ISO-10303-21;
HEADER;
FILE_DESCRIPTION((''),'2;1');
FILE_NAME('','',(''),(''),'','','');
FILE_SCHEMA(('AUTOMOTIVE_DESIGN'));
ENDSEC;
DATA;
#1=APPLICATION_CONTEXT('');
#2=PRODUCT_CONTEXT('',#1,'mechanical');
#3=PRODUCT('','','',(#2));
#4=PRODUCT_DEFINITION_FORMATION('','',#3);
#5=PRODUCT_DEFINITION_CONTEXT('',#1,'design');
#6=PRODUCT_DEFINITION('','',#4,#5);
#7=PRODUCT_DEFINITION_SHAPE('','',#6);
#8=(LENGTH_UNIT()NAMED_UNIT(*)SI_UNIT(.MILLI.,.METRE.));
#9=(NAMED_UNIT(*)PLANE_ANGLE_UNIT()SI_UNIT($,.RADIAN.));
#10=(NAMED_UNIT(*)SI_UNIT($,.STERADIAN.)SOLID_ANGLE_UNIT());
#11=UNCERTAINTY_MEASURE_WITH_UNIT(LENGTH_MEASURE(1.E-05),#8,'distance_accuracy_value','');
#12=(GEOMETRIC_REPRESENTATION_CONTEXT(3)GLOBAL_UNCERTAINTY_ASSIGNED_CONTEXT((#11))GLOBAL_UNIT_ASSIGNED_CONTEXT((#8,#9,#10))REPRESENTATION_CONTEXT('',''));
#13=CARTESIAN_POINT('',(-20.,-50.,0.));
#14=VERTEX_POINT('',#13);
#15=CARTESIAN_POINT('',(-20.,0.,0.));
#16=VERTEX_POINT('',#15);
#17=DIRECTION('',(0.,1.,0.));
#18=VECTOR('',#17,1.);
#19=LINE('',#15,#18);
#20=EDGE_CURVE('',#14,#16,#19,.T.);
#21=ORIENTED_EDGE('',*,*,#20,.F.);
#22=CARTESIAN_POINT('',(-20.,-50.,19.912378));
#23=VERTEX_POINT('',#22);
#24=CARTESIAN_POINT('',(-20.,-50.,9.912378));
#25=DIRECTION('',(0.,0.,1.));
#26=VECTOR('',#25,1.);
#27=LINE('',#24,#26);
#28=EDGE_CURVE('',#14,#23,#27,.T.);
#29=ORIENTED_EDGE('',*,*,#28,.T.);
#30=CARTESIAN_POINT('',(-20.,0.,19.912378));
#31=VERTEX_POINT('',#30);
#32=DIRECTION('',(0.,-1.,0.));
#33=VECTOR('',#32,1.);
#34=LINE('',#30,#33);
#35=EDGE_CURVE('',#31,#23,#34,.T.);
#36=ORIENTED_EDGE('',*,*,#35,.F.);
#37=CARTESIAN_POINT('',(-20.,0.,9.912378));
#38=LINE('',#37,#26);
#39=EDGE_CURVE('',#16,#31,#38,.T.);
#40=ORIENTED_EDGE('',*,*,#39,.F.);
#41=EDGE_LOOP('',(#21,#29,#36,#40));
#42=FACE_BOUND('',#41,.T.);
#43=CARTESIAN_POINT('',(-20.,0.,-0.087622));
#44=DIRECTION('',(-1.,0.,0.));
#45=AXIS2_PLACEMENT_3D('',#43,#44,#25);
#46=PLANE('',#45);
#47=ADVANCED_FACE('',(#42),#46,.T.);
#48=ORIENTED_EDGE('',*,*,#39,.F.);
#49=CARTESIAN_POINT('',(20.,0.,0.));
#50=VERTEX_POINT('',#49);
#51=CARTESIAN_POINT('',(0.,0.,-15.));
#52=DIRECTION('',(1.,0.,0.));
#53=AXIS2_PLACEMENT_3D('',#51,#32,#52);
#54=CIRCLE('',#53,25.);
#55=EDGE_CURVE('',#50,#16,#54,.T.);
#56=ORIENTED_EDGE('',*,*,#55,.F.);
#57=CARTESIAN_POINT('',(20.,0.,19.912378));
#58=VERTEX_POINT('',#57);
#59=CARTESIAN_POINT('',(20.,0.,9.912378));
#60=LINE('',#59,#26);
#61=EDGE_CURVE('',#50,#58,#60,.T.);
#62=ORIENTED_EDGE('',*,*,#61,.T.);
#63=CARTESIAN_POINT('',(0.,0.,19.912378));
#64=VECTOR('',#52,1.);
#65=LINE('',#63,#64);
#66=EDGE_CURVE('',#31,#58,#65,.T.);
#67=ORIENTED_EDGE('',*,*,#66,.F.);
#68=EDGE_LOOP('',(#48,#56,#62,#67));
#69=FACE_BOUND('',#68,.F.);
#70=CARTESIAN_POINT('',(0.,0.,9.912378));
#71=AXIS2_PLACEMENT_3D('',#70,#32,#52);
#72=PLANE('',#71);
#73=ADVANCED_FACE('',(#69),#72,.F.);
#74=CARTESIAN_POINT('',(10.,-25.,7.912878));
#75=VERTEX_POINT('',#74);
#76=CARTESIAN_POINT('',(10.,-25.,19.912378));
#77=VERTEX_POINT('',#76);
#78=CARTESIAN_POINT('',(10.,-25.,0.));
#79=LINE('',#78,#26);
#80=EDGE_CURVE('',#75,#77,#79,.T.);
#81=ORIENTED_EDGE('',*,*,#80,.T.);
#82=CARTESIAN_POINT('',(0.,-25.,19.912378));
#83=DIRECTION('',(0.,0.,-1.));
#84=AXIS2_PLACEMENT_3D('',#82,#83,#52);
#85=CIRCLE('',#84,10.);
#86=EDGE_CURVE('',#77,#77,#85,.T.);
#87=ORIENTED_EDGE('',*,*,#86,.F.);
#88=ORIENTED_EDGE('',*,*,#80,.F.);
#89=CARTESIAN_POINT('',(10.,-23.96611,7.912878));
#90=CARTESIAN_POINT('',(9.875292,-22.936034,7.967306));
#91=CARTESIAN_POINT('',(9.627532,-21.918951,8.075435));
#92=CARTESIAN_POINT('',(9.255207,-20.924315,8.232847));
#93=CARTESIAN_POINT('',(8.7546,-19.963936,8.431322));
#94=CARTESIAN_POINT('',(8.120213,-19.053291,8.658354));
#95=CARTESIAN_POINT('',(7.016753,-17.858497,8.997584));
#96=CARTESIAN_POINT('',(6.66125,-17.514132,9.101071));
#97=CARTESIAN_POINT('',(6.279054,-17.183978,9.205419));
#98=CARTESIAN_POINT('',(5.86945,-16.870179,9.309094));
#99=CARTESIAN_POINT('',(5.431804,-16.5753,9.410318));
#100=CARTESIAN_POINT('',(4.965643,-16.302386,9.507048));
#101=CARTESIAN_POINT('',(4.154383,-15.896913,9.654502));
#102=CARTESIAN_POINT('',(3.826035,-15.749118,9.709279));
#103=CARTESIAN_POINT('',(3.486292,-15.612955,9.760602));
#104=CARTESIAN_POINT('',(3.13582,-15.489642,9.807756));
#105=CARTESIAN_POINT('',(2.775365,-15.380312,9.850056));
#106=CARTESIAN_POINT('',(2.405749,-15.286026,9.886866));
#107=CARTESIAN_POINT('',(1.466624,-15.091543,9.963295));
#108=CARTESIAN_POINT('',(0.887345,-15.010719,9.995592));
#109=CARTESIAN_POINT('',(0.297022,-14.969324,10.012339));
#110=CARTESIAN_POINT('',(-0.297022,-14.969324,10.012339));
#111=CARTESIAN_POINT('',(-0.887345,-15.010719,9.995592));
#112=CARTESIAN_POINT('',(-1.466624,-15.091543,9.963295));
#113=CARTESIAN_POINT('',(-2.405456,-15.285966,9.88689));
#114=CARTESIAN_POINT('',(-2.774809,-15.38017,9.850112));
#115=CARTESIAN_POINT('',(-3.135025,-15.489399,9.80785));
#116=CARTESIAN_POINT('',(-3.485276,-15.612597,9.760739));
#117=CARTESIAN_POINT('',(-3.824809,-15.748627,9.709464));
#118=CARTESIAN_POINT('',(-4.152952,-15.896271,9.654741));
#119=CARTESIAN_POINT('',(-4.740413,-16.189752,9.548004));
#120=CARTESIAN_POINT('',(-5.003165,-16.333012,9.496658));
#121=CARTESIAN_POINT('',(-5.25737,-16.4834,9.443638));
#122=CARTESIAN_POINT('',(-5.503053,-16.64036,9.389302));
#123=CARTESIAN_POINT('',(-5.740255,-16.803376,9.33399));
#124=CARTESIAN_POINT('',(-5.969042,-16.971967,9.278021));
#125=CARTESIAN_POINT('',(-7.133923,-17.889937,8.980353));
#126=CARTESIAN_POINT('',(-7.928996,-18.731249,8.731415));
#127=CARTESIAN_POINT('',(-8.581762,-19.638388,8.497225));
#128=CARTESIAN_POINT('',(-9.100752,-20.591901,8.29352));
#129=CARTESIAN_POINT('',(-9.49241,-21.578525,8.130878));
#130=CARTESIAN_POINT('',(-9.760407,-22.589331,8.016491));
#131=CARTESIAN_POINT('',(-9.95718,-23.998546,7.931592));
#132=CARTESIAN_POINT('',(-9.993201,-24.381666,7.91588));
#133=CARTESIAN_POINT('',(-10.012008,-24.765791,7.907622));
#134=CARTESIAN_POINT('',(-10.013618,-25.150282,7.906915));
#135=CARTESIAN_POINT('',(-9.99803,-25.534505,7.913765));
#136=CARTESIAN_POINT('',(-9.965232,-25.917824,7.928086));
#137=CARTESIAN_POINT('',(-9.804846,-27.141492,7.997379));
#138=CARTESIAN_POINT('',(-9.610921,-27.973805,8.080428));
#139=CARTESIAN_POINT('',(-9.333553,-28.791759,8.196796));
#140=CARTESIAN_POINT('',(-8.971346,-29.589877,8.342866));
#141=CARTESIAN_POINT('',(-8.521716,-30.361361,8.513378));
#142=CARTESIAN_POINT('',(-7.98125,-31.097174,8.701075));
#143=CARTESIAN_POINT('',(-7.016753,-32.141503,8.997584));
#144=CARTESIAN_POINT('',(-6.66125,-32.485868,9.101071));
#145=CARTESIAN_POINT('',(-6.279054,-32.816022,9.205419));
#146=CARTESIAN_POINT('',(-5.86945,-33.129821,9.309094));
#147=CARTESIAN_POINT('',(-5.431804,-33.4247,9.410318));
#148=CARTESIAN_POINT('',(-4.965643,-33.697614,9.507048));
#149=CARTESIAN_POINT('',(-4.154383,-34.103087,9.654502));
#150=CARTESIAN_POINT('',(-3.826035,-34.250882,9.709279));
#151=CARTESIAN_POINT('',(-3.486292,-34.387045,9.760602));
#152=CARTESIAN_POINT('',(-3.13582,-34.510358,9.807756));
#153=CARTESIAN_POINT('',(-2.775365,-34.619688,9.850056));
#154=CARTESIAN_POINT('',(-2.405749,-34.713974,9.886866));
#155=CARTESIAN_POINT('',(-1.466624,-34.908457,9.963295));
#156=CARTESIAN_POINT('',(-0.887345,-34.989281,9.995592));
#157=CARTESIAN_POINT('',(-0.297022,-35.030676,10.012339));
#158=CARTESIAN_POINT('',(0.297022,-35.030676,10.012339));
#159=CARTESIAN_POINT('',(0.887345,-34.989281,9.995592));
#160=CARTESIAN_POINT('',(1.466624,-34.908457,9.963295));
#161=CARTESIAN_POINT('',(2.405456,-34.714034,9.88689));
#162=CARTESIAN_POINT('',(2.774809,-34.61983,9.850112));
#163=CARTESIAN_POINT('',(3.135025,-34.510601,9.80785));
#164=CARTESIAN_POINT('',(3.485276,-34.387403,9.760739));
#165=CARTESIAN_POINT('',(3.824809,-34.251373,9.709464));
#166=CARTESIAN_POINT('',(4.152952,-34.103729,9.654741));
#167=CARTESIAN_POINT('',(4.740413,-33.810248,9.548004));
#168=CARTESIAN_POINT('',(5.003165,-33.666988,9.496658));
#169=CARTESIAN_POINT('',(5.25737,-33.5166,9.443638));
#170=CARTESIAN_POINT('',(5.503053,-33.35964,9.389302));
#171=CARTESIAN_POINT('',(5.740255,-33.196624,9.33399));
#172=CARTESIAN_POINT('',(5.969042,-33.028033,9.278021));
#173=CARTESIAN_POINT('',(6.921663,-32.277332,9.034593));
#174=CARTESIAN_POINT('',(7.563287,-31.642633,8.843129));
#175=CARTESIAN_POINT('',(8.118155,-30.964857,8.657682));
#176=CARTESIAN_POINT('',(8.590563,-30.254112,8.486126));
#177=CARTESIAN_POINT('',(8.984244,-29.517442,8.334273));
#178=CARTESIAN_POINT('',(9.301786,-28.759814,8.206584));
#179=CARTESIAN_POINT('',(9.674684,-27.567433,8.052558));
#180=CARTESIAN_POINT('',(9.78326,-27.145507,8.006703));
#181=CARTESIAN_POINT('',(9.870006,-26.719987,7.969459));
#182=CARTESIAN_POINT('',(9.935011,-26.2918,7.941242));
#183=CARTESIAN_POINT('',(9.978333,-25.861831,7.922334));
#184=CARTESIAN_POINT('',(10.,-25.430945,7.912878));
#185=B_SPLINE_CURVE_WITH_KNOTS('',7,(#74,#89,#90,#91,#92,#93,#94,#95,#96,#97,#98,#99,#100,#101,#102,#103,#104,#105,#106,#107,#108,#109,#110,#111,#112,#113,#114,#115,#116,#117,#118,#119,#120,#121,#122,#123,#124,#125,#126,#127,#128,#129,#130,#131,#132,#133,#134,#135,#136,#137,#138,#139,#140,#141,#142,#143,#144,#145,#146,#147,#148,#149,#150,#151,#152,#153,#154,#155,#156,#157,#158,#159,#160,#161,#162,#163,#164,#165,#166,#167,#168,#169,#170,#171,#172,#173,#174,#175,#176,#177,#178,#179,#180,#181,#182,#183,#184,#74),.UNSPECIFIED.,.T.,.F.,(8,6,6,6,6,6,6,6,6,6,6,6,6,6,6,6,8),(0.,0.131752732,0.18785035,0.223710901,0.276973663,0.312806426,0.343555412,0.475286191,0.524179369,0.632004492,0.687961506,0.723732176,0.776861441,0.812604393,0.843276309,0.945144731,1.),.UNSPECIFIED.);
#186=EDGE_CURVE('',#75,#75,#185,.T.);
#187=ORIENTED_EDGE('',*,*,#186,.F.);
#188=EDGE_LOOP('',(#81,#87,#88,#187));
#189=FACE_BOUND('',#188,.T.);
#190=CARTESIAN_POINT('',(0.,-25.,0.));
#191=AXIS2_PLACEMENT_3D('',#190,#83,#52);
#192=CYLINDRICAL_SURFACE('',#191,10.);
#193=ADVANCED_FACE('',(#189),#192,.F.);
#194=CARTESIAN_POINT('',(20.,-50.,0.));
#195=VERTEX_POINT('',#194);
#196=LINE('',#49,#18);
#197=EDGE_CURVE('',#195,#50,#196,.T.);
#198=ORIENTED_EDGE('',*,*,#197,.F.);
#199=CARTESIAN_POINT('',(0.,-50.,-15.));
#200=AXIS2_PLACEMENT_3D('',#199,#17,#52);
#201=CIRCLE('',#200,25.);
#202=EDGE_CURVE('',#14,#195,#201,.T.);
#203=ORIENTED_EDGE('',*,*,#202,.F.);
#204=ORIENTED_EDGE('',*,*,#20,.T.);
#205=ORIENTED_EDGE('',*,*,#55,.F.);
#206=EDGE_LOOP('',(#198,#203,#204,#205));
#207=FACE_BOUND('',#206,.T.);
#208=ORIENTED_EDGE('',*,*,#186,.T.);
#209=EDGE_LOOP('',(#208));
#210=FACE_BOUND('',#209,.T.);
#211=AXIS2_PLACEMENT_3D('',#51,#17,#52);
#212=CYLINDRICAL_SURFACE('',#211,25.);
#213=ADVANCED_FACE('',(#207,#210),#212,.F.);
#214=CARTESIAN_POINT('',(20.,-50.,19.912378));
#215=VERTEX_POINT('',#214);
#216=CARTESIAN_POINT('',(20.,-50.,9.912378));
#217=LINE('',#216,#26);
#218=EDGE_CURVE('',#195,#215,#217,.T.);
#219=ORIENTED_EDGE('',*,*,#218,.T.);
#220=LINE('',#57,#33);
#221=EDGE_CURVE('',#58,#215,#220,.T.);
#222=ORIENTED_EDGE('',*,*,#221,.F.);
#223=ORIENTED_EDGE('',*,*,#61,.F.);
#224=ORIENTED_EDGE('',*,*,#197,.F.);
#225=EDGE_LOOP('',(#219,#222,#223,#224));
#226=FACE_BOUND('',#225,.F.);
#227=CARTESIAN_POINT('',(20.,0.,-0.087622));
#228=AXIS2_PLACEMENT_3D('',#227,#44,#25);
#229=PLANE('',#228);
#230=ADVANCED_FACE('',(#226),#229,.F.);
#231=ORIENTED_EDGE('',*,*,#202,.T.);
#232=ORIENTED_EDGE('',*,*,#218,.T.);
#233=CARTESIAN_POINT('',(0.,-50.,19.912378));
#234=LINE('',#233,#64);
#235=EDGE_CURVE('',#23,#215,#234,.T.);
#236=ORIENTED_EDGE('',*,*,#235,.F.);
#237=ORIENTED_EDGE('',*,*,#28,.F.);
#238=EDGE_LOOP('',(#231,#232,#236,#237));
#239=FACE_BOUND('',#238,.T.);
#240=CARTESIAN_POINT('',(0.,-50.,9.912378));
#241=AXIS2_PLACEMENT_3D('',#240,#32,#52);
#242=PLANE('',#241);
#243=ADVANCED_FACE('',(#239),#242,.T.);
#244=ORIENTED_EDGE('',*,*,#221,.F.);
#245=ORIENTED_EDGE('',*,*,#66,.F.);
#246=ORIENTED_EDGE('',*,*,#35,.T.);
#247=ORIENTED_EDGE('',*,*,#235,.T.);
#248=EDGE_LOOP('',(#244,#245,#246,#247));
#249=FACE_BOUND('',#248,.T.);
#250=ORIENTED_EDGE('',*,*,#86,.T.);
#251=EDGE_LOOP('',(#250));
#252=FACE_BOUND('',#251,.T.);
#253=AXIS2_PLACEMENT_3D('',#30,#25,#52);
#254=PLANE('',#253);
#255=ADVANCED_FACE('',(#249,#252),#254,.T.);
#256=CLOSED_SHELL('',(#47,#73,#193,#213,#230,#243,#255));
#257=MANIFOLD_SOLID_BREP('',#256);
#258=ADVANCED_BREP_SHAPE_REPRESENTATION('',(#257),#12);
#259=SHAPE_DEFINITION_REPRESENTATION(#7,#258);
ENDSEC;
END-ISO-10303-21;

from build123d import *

# Parameters (mm, degrees)
F0_W     = 40
F0_H     = 20
F1_DEPTH = 50
F2_R     = 25
F3_DEPTH = 50.001
F4_R     = 10
F5_DEPTH = 19.913378


with BuildPart() as f1:
    # F0 (on Front) → F1 (new body)
    with BuildSketch(Plane.XZ):
        with Locations((0, 9.912378)):
            Rectangle(F0_W, F0_H)
    extrude(amount=F1_DEPTH)

    # F2 (on Front) → F3 (cut, through all)
    with BuildSketch(Plane.XZ):
        with Locations((0, -15)):
            Circle(F2_R)
    extrude(amount=F3_DEPTH, mode=Mode.SUBTRACT)

    # F4 (on Top) → F5 (cut, through all)
    with BuildSketch(Plane.XY):
        with Locations((0, -25)):
            Circle(F4_R)
    extrude(amount=F5_DEPTH, mode=Mode.SUBTRACT)


solid = f1.part
